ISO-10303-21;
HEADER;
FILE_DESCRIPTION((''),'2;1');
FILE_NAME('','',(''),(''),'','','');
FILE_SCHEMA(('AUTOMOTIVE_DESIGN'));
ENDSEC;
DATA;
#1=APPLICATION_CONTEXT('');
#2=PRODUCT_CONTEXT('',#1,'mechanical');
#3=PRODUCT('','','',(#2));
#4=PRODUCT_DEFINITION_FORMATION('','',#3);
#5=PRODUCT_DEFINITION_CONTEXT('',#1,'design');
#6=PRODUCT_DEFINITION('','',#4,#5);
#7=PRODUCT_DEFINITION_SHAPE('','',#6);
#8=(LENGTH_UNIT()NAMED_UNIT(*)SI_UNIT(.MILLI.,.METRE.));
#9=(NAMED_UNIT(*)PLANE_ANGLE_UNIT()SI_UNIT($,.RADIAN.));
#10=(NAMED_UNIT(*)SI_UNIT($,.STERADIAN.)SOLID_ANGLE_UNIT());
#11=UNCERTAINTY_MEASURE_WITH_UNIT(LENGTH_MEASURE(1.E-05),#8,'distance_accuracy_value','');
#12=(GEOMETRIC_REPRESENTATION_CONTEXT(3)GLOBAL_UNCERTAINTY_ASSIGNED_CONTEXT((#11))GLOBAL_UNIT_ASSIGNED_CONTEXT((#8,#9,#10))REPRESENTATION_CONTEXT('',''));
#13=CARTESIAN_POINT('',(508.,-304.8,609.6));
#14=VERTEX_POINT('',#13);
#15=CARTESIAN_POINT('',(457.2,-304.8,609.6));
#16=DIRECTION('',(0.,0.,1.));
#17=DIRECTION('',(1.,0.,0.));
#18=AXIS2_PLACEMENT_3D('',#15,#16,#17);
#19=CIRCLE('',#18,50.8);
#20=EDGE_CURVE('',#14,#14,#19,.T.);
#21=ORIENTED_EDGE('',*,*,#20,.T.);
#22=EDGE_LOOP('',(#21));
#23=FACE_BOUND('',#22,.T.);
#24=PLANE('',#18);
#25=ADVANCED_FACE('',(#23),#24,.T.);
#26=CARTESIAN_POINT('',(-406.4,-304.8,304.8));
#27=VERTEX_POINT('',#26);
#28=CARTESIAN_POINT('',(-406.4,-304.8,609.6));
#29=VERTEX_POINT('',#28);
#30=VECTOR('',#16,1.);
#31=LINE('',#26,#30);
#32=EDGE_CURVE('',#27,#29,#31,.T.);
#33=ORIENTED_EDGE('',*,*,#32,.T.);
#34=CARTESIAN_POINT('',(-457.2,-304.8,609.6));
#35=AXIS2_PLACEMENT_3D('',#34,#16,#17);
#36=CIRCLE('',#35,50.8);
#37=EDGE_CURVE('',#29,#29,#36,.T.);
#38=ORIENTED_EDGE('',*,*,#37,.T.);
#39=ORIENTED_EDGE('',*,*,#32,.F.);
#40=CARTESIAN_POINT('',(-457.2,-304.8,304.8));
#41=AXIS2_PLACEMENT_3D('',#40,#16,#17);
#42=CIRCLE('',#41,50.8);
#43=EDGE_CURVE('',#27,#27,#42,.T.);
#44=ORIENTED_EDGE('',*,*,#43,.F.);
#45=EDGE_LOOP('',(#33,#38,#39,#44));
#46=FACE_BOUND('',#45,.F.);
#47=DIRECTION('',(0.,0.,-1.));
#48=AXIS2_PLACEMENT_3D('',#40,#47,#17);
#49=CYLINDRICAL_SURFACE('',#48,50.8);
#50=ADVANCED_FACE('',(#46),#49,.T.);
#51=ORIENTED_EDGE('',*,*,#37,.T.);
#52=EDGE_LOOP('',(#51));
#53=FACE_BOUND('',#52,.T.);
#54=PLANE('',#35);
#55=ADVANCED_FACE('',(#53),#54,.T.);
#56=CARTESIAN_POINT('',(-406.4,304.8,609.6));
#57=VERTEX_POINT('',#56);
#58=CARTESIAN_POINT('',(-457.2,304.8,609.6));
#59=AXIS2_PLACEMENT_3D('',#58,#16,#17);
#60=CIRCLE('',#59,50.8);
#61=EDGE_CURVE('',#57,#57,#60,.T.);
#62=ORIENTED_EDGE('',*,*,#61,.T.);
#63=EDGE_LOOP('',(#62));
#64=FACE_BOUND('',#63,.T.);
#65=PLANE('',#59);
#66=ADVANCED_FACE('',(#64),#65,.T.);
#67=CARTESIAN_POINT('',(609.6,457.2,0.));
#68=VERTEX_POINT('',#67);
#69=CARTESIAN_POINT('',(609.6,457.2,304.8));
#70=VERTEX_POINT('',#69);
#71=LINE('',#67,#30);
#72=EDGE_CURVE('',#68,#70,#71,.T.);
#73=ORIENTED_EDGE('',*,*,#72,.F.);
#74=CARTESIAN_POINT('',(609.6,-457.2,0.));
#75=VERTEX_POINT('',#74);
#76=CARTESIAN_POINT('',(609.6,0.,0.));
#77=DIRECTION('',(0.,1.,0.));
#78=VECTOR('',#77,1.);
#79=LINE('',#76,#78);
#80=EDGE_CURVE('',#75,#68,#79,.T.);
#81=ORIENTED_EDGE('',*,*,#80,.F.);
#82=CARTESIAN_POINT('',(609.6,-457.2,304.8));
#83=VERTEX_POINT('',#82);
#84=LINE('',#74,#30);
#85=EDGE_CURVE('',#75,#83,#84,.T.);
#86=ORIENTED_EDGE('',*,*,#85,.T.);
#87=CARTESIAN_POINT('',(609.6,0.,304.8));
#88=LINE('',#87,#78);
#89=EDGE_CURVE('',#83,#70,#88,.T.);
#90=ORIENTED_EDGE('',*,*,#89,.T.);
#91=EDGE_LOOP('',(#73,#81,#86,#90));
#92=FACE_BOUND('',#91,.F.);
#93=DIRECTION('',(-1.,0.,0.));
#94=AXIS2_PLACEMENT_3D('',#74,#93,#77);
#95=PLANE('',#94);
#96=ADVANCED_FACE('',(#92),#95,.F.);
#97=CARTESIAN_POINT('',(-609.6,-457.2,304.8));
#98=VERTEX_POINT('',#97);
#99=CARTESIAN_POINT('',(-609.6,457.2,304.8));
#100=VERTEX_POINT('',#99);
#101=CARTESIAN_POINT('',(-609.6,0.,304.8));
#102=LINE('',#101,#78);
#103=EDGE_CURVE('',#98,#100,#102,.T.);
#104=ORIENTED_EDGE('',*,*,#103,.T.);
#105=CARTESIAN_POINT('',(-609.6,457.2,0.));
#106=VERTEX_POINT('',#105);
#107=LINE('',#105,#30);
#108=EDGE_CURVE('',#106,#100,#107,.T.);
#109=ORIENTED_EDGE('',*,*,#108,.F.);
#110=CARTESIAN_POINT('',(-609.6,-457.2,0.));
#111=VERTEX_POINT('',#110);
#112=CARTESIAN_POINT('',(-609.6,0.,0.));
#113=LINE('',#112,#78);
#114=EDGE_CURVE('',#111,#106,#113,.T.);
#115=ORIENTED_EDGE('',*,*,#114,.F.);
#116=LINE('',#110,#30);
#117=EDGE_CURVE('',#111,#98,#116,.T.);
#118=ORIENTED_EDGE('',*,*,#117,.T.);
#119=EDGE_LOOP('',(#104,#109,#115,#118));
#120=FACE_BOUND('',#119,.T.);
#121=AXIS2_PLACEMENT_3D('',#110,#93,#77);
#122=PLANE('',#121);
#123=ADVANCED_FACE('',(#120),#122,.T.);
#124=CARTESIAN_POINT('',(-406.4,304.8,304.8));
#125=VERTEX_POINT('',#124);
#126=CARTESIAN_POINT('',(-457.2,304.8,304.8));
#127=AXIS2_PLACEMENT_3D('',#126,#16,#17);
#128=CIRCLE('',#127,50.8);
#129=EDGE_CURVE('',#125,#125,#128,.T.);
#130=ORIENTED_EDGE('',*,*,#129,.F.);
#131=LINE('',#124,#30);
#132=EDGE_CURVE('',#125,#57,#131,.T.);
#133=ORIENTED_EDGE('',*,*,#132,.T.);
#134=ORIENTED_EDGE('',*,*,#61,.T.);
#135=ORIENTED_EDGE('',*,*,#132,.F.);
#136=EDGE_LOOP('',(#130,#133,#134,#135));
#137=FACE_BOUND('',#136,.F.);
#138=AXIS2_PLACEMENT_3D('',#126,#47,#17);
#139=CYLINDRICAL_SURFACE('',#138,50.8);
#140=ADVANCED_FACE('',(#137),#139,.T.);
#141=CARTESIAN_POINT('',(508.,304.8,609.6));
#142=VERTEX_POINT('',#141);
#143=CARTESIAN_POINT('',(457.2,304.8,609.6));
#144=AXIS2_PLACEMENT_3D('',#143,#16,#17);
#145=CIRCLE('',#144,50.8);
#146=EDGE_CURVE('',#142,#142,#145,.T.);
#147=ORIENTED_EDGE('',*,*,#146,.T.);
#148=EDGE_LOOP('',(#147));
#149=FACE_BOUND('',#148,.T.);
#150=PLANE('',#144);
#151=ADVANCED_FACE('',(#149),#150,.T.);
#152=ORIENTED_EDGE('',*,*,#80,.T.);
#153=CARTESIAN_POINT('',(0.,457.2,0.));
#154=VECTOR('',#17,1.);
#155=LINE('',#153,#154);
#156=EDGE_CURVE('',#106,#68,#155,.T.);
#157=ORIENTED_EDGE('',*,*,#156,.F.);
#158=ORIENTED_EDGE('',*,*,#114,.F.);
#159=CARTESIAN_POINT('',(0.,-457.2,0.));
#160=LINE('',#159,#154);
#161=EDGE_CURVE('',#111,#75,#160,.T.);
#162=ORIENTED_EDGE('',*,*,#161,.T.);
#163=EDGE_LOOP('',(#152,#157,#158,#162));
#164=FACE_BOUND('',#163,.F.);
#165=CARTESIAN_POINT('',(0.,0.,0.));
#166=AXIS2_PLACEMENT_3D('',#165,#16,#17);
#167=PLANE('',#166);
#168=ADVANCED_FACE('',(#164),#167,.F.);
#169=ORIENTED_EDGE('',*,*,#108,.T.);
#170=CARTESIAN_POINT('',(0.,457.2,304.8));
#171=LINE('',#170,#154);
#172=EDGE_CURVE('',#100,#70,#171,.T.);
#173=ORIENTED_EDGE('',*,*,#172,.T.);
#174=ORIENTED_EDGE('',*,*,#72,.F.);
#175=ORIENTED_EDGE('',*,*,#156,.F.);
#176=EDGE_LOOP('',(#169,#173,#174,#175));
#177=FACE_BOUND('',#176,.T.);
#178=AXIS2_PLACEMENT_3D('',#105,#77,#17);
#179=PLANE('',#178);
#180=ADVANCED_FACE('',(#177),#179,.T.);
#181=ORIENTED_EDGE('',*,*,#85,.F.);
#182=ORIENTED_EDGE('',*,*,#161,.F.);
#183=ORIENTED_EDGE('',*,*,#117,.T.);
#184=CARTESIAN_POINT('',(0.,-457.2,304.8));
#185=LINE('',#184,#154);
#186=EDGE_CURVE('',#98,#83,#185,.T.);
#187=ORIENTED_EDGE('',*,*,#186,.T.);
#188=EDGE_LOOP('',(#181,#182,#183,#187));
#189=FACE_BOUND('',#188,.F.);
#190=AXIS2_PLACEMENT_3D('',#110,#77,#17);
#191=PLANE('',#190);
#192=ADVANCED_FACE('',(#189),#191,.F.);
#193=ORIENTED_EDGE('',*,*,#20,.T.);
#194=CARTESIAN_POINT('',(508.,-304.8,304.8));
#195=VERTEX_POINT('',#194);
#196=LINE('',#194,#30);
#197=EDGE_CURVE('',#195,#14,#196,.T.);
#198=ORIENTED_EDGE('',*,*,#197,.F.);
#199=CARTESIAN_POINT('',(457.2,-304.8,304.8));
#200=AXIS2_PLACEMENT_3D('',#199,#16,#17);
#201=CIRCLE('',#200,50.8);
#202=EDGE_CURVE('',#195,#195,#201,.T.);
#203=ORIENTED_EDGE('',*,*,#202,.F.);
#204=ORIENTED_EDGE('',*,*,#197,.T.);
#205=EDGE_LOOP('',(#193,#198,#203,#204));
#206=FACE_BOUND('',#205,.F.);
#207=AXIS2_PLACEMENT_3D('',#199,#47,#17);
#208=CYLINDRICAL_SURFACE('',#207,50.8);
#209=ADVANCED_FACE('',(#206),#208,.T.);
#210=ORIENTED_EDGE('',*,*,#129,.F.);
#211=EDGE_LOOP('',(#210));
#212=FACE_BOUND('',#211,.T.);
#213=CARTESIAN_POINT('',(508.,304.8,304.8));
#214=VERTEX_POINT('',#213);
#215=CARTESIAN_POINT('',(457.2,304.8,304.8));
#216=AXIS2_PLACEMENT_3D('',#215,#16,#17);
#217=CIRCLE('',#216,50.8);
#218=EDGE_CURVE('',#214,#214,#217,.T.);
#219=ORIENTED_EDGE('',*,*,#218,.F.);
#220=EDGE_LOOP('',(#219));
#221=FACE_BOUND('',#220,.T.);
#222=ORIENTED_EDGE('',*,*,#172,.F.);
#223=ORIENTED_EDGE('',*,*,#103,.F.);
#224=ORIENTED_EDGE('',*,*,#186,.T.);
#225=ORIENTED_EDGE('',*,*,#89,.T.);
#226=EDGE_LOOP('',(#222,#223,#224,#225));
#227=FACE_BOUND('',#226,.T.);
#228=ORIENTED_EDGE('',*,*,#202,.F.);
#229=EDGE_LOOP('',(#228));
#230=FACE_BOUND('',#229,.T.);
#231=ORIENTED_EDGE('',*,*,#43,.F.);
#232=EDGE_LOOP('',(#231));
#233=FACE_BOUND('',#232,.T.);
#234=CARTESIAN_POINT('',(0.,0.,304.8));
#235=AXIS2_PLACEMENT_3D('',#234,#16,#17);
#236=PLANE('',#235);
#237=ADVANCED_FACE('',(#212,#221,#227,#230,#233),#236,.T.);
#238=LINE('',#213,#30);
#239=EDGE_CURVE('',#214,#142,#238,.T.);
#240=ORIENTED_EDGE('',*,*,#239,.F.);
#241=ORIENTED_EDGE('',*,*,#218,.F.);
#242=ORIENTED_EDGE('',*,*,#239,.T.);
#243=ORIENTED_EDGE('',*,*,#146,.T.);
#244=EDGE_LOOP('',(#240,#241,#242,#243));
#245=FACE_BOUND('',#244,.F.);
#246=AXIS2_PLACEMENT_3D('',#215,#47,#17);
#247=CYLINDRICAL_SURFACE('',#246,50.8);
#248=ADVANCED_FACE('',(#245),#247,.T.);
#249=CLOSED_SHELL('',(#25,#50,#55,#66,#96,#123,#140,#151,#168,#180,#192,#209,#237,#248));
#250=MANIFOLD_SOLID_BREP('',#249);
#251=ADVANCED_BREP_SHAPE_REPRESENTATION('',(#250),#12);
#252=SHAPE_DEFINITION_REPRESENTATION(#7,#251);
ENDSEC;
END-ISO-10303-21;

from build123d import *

# Parameters (mm, degrees)
F0_W     = 1219.2
F0_H     = 914.4
F1_DEPTH = 304.8
F2_R     = 50.8
F3_DEPTH = 304.8


with BuildPart() as f1:
    # F0 (on Top) → F1 (new body)
    with BuildSketch(Plane.XY):
        Rectangle(F0_W, F0_H)
    extrude(amount=F1_DEPTH)

    # F2 (on face) → F3 (join)
    with BuildSketch(Plane.XY.offset(304.8)):
        with Locations((-457.2, 304.8)):
            Circle(F2_R)
        with Locations((457.2, 304.8)):
            Circle(F2_R)
        with Locations((457.2, -304.8)):
            Circle(F2_R)
        with Locations((-457.2, -304.8)):
            Circle(F2_R)
    extrude(amount=F3_DEPTH)


solid = f1.part
